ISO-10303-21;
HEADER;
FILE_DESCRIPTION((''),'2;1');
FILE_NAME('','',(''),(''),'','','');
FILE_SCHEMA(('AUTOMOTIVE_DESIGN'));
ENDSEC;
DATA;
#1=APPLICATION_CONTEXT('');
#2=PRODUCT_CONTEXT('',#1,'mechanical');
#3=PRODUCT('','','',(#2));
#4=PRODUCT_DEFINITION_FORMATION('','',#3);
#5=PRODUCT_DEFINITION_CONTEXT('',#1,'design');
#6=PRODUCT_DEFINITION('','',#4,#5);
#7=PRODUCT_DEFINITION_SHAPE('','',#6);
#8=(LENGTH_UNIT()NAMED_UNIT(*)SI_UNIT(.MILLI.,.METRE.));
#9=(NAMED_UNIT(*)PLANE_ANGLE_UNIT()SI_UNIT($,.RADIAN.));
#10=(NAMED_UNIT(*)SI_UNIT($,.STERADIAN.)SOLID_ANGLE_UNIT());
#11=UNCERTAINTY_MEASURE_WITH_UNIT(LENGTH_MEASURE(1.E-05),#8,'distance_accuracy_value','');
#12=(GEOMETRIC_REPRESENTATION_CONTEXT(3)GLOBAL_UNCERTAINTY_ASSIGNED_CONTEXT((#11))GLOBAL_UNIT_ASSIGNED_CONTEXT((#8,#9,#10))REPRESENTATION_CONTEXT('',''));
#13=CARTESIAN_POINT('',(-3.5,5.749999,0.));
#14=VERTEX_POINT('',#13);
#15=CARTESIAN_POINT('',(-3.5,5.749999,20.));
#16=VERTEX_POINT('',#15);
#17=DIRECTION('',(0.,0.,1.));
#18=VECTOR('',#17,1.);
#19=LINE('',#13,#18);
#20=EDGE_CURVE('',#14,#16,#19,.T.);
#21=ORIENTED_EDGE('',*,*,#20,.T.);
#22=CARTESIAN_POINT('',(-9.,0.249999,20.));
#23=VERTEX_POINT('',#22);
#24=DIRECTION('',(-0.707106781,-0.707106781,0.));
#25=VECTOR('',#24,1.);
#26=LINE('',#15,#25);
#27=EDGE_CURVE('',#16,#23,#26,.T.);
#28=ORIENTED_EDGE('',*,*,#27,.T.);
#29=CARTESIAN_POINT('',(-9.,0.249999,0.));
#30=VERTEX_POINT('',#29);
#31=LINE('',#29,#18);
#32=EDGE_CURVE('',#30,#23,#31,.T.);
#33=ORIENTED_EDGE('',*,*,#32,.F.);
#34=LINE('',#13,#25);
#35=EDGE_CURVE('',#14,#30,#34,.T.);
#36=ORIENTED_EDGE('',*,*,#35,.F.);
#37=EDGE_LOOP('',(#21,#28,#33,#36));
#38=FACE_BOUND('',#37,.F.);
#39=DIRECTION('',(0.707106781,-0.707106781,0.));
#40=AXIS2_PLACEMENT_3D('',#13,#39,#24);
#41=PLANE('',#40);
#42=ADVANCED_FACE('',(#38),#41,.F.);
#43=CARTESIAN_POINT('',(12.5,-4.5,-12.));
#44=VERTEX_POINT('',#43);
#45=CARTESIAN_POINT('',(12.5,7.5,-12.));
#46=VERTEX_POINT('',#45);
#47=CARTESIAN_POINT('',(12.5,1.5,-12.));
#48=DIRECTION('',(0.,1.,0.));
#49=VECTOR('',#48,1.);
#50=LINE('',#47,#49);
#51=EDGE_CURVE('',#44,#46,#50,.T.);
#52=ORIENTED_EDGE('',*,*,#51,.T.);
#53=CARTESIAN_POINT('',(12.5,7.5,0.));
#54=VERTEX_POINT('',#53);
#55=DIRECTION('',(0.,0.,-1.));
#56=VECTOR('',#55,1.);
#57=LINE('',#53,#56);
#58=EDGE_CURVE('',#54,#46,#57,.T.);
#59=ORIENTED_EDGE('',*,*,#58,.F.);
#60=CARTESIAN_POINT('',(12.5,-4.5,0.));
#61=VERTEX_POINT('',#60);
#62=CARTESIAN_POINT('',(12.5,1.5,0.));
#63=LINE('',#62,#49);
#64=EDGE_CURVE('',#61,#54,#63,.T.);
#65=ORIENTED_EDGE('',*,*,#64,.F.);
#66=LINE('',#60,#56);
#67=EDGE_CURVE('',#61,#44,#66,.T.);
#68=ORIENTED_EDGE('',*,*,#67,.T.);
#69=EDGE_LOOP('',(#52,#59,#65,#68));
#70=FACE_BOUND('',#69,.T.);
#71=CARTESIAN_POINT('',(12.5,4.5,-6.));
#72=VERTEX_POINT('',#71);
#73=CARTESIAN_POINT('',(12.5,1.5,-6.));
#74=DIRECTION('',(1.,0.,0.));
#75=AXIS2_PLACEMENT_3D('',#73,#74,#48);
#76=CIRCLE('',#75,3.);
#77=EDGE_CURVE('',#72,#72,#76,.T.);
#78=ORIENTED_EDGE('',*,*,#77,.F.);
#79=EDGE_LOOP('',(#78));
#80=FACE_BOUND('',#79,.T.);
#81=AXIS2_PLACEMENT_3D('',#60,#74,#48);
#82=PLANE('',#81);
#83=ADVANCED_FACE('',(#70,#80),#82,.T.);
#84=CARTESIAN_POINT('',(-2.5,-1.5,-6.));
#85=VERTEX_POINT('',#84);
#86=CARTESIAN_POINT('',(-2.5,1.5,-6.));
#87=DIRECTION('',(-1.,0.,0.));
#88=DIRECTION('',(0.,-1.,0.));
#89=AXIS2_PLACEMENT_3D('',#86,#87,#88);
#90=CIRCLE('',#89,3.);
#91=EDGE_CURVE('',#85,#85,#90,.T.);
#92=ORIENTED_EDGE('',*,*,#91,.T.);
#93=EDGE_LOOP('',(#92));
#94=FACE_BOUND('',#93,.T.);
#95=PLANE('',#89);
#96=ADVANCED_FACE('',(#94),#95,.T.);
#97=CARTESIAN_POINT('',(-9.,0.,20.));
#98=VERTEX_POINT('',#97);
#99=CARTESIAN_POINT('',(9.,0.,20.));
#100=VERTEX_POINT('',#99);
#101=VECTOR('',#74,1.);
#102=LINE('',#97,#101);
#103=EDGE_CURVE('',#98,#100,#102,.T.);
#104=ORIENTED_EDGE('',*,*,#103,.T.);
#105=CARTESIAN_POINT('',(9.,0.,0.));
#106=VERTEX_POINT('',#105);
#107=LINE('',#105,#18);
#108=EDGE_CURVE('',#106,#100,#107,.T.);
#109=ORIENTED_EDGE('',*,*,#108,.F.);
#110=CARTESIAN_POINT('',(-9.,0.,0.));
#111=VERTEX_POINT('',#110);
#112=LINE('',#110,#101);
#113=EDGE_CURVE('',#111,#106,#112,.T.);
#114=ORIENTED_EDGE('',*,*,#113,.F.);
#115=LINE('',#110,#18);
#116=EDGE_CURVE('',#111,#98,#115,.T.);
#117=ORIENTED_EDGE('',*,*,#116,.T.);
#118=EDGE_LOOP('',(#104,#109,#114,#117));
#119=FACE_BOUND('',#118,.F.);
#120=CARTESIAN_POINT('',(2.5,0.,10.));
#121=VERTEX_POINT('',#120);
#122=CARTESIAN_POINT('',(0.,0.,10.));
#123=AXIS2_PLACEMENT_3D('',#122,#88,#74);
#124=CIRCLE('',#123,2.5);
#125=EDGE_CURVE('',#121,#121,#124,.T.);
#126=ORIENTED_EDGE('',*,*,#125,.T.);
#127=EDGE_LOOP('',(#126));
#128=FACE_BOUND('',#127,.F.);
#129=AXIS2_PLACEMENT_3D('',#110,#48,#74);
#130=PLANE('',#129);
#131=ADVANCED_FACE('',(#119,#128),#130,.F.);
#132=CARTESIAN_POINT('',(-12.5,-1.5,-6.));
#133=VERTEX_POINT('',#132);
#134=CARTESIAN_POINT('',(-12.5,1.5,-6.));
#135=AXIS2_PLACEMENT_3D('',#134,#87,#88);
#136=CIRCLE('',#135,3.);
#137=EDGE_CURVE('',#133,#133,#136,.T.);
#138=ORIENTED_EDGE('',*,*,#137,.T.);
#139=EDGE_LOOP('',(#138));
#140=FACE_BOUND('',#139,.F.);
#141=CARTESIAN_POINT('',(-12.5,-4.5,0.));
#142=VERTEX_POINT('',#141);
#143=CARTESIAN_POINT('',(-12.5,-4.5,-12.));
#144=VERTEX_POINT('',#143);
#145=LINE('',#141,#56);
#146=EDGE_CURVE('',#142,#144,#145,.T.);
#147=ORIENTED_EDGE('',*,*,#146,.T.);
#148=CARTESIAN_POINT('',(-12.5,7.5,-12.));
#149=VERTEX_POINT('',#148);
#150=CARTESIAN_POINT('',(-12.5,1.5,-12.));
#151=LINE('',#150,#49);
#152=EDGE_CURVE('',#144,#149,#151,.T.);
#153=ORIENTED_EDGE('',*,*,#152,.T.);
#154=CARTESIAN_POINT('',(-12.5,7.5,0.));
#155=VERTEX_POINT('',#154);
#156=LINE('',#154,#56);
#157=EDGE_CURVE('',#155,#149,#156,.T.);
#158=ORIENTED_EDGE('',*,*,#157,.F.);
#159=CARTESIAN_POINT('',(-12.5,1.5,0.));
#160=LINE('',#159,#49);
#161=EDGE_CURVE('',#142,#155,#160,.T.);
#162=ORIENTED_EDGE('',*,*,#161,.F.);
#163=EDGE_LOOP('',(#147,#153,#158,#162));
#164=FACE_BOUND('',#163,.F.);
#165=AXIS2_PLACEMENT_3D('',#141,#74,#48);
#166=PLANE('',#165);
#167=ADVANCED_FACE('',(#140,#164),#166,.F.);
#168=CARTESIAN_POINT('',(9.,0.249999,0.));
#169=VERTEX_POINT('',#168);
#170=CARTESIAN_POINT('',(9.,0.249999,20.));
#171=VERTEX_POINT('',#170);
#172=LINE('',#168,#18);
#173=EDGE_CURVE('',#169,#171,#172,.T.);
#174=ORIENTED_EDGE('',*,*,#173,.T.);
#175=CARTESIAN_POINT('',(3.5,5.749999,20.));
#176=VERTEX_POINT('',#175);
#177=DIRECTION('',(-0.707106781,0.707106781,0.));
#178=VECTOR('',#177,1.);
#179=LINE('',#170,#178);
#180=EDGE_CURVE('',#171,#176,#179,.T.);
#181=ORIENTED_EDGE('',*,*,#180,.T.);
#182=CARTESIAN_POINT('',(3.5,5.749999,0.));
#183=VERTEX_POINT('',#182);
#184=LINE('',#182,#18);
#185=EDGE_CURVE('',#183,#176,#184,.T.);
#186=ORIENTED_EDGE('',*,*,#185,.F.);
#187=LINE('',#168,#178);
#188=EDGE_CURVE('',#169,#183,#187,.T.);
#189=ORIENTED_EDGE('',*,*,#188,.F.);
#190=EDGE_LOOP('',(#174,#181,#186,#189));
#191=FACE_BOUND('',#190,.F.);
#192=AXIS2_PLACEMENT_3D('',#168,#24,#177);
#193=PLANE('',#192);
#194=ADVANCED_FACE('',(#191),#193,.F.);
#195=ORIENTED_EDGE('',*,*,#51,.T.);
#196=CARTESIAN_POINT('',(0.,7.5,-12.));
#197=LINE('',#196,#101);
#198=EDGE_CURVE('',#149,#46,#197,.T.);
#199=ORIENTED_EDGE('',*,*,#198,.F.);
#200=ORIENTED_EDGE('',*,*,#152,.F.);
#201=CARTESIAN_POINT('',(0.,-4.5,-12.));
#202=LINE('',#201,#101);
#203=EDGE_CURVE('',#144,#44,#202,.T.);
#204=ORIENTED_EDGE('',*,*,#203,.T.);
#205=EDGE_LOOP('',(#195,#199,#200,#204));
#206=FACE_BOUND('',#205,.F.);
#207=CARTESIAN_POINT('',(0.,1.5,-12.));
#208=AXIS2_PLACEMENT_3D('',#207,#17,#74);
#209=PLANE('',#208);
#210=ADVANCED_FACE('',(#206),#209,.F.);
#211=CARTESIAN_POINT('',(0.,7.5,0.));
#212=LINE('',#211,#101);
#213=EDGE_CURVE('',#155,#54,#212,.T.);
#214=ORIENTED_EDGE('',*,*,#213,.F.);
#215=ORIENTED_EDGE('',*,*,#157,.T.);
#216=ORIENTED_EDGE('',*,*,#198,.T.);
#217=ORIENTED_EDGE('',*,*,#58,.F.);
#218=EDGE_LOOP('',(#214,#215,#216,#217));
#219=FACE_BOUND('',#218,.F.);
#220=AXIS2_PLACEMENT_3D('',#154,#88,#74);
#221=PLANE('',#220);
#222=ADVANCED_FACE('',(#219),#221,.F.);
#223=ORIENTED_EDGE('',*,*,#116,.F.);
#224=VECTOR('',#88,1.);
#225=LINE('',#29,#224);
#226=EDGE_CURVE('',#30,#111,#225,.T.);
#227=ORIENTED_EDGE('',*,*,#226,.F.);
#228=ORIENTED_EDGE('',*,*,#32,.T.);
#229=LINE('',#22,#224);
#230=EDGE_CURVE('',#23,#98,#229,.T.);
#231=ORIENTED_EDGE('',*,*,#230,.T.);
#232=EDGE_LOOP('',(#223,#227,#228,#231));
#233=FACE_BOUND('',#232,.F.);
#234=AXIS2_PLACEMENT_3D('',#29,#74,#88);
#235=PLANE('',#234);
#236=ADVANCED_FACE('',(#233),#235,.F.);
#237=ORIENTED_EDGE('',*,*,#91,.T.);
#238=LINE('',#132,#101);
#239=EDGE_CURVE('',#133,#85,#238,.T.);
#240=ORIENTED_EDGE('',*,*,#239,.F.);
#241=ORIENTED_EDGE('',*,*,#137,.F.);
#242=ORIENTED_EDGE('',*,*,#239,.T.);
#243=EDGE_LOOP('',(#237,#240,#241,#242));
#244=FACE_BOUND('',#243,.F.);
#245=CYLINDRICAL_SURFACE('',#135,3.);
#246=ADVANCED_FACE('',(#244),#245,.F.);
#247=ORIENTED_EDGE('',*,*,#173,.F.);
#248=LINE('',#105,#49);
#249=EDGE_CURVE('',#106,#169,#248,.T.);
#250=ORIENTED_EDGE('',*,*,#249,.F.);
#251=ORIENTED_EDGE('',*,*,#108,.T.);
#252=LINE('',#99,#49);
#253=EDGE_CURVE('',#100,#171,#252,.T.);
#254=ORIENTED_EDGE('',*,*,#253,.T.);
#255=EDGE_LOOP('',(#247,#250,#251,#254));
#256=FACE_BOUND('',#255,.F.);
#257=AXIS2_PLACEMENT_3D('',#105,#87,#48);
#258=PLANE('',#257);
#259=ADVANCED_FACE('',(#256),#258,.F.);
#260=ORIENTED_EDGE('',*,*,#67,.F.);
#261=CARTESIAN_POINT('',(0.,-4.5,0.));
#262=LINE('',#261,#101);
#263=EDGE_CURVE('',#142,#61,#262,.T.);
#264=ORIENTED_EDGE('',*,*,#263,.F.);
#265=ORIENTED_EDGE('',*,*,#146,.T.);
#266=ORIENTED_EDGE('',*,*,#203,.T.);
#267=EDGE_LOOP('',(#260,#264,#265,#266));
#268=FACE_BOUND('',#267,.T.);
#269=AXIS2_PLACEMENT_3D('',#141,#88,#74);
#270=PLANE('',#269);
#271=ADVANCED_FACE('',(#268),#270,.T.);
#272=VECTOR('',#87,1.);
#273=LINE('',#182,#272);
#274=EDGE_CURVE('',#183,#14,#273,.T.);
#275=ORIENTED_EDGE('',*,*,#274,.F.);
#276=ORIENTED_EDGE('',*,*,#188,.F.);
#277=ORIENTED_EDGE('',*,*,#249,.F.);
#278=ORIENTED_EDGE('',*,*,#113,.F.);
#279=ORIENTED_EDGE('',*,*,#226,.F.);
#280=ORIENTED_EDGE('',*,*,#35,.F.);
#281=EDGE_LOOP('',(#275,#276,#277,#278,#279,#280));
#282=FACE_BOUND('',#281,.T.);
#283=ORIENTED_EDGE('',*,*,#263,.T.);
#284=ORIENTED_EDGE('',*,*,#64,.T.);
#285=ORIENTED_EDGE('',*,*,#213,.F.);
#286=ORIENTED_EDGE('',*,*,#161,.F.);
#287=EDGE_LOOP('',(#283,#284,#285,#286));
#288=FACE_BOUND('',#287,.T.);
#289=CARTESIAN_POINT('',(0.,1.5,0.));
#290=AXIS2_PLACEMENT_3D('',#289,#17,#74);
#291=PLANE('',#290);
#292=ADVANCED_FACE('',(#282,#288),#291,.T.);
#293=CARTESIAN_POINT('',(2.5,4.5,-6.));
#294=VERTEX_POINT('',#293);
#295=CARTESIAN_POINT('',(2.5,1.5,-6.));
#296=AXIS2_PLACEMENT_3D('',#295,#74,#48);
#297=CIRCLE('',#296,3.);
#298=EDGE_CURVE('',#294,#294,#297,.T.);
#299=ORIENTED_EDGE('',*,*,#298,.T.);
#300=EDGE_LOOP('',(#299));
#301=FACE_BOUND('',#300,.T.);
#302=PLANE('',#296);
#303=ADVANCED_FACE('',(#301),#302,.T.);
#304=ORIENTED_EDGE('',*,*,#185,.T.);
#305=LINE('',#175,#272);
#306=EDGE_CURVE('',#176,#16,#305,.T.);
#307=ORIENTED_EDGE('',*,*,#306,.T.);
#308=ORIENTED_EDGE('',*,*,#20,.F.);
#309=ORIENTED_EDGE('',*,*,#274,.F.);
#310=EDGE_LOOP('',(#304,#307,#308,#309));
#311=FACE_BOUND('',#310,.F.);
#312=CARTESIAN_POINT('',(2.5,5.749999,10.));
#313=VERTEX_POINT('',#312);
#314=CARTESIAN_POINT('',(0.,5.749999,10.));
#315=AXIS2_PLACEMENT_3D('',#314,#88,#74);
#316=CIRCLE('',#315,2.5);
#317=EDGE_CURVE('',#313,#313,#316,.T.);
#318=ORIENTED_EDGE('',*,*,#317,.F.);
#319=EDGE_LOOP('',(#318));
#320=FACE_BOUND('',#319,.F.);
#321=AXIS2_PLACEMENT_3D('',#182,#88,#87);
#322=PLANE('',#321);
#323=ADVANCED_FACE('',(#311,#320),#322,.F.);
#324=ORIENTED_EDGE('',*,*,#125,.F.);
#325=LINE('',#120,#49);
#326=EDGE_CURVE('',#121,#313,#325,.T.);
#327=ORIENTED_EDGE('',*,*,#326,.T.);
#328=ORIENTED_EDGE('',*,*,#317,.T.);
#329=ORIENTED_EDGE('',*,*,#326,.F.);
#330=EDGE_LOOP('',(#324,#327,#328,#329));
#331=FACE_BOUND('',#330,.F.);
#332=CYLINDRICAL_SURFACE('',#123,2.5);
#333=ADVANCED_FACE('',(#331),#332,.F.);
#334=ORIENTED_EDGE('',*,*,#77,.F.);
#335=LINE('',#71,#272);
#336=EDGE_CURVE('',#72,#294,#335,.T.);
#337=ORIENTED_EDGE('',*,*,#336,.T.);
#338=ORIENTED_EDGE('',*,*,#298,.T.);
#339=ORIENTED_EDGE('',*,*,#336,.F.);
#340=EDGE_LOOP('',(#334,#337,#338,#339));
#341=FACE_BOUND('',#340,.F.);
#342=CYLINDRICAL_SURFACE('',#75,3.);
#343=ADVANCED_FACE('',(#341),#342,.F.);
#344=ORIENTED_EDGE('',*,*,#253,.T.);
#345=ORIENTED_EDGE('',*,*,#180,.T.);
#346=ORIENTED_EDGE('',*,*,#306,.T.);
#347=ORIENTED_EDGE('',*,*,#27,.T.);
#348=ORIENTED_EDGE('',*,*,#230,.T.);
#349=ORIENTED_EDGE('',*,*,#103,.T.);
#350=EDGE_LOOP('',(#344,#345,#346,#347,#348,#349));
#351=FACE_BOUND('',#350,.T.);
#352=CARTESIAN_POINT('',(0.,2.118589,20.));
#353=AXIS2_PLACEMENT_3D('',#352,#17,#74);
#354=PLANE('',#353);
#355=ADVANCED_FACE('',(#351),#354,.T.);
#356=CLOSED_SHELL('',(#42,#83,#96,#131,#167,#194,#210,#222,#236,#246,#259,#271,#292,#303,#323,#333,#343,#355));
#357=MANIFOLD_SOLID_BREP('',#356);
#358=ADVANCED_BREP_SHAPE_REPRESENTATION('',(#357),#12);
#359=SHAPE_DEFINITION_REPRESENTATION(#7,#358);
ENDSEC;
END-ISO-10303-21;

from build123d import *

# Parameters (mm, degrees)
F1_DEPTH = 20
F2_W     = 25
F2_H     = 12
F3_DEPTH = 12
F4_R     = 3
F5_DEPTH = 10
F6_R     = 3
F7_DEPTH = 10
F8_R     = 2.5
F9_DEPTH = 25


with BuildPart() as f1:
    # F0 (on Top) → F1 (new body)
    with BuildSketch(Plane.XY):
        Polygon((-9, 0), (0, 0), (9, 0), (9, 0.249999), (3.5, 5.749999), (0, 5.749999), (-3.5, 5.749999), (-9, 0.249999), align=None)
    extrude(amount=F1_DEPTH)

    # F2 (on Top) → F3 (join)
    with BuildSketch(Plane.XY):
        with Locations((0, 1.5)):
            Rectangle(F2_W, F2_H)
    extrude(amount=-F3_DEPTH)

    # F4 (on face) → F5 (cut)
    with BuildSketch(Plane.YZ.offset(12.5)):
        with Locations((1.5, -6)):
            Circle(F4_R)
    extrude(amount=-F5_DEPTH, mode=Mode.SUBTRACT)

    # F6 (on face) → F7 (cut)
    with BuildSketch(Plane(origin=(-12.5, 0, 0), x_dir=(0, -1, 0), z_dir=(-1, 0, 0))):
        with Locations((-1.5, -6)):
            Circle(F6_R)
    extrude(amount=-F7_DEPTH, mode=Mode.SUBTRACT)

    # F8 (on face) → F9 (cut)
    with BuildSketch(Plane.XZ):
        with Locations((0, 10)):
            Circle(F8_R)
    extrude(amount=-F9_DEPTH, mode=Mode.SUBTRACT)


solid = f1.part
